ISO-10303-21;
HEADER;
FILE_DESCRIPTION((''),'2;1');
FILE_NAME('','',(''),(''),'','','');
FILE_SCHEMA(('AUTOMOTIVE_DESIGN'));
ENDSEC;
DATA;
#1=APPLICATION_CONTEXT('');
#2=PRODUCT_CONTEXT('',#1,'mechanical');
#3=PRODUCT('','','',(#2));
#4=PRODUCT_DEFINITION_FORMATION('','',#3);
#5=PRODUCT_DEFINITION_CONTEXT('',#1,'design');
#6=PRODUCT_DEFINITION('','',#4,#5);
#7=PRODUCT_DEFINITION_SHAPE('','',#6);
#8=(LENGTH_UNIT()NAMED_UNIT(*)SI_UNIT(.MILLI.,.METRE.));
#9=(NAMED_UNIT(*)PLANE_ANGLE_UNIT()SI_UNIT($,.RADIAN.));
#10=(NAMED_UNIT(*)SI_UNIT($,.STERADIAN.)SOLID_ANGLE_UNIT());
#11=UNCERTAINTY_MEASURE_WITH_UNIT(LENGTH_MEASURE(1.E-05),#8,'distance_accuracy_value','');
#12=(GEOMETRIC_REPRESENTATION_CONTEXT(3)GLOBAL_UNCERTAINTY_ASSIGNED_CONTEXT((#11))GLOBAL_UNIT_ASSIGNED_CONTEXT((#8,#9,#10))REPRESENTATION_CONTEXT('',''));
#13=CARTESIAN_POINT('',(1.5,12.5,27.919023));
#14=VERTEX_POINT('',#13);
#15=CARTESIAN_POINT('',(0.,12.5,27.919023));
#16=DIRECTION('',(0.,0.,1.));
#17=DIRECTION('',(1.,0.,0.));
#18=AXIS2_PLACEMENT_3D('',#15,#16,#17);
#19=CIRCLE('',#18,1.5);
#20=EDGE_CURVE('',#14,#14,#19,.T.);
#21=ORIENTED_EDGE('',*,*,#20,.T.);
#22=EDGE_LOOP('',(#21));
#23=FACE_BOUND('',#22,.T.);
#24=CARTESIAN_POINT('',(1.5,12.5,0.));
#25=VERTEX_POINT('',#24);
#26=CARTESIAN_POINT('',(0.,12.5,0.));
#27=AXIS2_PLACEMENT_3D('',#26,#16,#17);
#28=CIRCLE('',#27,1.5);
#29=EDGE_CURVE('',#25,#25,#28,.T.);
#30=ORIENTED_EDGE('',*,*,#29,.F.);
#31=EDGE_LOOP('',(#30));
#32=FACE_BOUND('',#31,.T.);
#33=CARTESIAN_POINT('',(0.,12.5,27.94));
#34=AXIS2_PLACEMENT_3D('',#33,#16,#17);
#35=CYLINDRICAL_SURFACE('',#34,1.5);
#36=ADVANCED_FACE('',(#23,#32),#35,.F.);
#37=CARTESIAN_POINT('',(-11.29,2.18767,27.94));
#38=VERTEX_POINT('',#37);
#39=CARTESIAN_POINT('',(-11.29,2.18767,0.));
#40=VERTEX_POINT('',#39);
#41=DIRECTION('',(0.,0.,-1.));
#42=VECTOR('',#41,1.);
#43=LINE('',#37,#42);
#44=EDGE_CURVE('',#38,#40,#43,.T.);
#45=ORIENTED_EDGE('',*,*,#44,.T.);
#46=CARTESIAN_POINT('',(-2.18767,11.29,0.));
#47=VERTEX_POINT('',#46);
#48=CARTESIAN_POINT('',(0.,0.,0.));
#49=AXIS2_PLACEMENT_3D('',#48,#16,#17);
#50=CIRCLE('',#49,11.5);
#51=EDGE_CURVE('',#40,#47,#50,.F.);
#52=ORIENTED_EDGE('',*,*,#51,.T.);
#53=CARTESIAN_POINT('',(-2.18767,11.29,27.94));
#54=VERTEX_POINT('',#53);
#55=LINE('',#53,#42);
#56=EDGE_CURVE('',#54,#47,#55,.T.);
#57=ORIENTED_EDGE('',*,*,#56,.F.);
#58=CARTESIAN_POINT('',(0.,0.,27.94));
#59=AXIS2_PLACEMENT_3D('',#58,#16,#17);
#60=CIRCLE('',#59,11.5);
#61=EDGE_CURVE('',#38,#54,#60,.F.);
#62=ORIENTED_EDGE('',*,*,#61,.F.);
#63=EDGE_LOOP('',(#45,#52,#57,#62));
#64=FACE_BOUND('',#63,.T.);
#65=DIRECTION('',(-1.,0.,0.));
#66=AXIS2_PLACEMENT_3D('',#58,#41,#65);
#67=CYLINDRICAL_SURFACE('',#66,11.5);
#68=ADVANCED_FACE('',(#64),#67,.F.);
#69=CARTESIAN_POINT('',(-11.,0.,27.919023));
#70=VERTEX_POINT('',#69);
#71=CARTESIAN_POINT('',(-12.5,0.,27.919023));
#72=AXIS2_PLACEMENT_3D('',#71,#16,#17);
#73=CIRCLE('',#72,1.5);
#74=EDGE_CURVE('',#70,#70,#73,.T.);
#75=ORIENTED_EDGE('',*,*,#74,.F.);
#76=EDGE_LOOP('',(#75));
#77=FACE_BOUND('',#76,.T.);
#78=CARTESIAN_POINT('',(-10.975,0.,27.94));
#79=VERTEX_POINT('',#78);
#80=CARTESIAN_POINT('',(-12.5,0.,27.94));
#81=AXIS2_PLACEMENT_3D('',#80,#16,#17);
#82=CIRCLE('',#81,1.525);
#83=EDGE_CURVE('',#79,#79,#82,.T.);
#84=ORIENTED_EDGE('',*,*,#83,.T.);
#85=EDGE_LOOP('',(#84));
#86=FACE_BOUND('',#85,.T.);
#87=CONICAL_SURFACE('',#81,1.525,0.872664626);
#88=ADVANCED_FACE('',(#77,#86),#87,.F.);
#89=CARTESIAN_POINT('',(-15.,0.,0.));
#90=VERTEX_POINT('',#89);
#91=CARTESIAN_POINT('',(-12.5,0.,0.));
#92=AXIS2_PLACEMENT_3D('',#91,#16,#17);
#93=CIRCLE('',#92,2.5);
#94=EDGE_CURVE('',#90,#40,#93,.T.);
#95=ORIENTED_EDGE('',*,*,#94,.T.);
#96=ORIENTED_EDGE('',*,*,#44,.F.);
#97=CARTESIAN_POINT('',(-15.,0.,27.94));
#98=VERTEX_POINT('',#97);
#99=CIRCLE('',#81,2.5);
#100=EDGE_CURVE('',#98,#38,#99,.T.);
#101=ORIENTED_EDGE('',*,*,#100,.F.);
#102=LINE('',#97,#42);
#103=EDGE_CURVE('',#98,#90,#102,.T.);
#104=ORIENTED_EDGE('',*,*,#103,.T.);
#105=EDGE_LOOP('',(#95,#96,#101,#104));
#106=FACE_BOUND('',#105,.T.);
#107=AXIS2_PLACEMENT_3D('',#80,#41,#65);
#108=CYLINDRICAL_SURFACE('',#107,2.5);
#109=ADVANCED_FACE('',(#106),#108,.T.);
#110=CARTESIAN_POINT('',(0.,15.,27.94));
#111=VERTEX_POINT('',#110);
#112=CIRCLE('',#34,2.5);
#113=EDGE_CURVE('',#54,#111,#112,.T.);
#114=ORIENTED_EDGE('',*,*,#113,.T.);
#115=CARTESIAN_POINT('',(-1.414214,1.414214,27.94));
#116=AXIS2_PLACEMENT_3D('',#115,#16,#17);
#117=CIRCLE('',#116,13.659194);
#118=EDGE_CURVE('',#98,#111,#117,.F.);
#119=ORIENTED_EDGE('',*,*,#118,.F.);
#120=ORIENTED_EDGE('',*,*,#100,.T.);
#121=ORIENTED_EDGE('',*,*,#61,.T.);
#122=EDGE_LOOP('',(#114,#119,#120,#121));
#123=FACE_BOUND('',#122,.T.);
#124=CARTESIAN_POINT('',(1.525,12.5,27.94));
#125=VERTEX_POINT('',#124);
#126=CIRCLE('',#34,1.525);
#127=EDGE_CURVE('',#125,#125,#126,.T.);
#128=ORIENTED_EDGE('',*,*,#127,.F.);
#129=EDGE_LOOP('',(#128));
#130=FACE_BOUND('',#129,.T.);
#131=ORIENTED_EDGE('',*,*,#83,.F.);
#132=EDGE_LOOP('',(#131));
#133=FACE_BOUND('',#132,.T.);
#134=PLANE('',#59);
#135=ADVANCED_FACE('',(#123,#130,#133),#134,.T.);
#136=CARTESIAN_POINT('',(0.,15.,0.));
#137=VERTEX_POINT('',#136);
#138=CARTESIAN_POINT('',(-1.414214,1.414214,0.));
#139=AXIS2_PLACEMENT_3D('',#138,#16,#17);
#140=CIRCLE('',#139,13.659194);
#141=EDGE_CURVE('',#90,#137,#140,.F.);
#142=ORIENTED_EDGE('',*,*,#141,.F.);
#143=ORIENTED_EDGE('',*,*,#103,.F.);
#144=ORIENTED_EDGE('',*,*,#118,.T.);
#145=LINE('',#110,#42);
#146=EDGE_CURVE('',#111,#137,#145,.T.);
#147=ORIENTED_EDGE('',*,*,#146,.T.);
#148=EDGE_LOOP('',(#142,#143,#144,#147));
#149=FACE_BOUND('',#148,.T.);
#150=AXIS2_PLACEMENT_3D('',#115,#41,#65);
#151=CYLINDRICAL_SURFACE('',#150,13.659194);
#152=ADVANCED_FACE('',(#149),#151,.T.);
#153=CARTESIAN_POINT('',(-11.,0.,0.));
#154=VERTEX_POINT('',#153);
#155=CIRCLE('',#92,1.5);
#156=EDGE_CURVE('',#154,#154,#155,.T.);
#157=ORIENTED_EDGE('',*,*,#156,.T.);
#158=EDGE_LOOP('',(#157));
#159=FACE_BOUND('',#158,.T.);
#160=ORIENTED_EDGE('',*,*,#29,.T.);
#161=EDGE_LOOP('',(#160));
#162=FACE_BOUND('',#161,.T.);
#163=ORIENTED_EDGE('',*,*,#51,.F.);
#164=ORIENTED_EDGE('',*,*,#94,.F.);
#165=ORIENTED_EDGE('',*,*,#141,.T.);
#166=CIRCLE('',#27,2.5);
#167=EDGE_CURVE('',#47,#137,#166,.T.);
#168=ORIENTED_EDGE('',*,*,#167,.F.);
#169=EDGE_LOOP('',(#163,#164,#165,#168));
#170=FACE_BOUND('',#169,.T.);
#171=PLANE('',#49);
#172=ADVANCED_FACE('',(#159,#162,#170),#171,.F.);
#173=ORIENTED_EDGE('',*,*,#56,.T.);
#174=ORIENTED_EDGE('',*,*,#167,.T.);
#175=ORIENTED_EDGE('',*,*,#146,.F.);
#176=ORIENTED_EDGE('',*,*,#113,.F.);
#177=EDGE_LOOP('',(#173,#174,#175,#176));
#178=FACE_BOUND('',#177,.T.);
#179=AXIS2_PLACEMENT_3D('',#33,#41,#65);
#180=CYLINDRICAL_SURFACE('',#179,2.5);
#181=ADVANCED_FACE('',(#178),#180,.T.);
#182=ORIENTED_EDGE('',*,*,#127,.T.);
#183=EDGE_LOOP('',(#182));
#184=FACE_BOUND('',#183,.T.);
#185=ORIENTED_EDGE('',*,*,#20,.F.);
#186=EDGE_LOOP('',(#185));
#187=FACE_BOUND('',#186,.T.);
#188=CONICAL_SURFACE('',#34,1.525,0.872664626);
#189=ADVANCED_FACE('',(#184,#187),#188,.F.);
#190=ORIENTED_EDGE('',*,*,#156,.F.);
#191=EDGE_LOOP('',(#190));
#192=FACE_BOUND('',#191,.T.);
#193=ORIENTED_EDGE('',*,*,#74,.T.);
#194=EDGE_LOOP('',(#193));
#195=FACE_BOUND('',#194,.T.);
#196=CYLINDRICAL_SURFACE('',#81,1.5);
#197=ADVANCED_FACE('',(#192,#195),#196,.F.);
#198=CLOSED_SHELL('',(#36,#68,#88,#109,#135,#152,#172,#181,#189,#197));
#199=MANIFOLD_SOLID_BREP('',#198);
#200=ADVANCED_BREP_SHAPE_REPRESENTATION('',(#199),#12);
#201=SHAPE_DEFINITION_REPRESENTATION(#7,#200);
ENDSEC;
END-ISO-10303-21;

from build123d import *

# Parameters (mm, degrees)
BOSS_EXTRUDE1_DEPTH             = 27.94
F_3_0MM_DOWEL_HOLE1_D           = 3
F_3_0MM_DOWEL_HOLE1_CSINK_D     = 3.05
F_3_0MM_DOWEL_HOLE1_CSINK_ANGLE = 100


with BuildPart() as part:
    # Sketch1 → Boss-Extrude1 (new body)
    with BuildSketch(Plane(origin=(0, 0, 0), x_dir=(0, 1, 0), z_dir=(0, 0, 1))):
        with BuildLine():
            ThreePointArc((0, 15), (-2.153485547, 11.23015749), (2.187669993, 11.29))
            ThreePointArc((2.187669993, 11.29), (8.131727984, 8.131727984), (11.29, 2.187669993))
            ThreePointArc((11.29, 2.187669993), (11.23015749, -2.153485547), (15, 0))
            ThreePointArc((15, 0), (11.072722586, 11.072722586), (0, 15))
        make_face()
    extrude(amount=BOSS_EXTRUDE1_DEPTH)

    # Ø3.0mm Dowel Hole1 (through all)
    with Locations(Plane.XY.offset(27.94)):
        with Locations((0, 12.5), (0, -12.5), (-12.5, 0)):
            CounterSinkHole(F_3_0MM_DOWEL_HOLE1_D / 2, F_3_0MM_DOWEL_HOLE1_CSINK_D / 2, counter_sink_angle=F_3_0MM_DOWEL_HOLE1_CSINK_ANGLE)


solid = part.part
